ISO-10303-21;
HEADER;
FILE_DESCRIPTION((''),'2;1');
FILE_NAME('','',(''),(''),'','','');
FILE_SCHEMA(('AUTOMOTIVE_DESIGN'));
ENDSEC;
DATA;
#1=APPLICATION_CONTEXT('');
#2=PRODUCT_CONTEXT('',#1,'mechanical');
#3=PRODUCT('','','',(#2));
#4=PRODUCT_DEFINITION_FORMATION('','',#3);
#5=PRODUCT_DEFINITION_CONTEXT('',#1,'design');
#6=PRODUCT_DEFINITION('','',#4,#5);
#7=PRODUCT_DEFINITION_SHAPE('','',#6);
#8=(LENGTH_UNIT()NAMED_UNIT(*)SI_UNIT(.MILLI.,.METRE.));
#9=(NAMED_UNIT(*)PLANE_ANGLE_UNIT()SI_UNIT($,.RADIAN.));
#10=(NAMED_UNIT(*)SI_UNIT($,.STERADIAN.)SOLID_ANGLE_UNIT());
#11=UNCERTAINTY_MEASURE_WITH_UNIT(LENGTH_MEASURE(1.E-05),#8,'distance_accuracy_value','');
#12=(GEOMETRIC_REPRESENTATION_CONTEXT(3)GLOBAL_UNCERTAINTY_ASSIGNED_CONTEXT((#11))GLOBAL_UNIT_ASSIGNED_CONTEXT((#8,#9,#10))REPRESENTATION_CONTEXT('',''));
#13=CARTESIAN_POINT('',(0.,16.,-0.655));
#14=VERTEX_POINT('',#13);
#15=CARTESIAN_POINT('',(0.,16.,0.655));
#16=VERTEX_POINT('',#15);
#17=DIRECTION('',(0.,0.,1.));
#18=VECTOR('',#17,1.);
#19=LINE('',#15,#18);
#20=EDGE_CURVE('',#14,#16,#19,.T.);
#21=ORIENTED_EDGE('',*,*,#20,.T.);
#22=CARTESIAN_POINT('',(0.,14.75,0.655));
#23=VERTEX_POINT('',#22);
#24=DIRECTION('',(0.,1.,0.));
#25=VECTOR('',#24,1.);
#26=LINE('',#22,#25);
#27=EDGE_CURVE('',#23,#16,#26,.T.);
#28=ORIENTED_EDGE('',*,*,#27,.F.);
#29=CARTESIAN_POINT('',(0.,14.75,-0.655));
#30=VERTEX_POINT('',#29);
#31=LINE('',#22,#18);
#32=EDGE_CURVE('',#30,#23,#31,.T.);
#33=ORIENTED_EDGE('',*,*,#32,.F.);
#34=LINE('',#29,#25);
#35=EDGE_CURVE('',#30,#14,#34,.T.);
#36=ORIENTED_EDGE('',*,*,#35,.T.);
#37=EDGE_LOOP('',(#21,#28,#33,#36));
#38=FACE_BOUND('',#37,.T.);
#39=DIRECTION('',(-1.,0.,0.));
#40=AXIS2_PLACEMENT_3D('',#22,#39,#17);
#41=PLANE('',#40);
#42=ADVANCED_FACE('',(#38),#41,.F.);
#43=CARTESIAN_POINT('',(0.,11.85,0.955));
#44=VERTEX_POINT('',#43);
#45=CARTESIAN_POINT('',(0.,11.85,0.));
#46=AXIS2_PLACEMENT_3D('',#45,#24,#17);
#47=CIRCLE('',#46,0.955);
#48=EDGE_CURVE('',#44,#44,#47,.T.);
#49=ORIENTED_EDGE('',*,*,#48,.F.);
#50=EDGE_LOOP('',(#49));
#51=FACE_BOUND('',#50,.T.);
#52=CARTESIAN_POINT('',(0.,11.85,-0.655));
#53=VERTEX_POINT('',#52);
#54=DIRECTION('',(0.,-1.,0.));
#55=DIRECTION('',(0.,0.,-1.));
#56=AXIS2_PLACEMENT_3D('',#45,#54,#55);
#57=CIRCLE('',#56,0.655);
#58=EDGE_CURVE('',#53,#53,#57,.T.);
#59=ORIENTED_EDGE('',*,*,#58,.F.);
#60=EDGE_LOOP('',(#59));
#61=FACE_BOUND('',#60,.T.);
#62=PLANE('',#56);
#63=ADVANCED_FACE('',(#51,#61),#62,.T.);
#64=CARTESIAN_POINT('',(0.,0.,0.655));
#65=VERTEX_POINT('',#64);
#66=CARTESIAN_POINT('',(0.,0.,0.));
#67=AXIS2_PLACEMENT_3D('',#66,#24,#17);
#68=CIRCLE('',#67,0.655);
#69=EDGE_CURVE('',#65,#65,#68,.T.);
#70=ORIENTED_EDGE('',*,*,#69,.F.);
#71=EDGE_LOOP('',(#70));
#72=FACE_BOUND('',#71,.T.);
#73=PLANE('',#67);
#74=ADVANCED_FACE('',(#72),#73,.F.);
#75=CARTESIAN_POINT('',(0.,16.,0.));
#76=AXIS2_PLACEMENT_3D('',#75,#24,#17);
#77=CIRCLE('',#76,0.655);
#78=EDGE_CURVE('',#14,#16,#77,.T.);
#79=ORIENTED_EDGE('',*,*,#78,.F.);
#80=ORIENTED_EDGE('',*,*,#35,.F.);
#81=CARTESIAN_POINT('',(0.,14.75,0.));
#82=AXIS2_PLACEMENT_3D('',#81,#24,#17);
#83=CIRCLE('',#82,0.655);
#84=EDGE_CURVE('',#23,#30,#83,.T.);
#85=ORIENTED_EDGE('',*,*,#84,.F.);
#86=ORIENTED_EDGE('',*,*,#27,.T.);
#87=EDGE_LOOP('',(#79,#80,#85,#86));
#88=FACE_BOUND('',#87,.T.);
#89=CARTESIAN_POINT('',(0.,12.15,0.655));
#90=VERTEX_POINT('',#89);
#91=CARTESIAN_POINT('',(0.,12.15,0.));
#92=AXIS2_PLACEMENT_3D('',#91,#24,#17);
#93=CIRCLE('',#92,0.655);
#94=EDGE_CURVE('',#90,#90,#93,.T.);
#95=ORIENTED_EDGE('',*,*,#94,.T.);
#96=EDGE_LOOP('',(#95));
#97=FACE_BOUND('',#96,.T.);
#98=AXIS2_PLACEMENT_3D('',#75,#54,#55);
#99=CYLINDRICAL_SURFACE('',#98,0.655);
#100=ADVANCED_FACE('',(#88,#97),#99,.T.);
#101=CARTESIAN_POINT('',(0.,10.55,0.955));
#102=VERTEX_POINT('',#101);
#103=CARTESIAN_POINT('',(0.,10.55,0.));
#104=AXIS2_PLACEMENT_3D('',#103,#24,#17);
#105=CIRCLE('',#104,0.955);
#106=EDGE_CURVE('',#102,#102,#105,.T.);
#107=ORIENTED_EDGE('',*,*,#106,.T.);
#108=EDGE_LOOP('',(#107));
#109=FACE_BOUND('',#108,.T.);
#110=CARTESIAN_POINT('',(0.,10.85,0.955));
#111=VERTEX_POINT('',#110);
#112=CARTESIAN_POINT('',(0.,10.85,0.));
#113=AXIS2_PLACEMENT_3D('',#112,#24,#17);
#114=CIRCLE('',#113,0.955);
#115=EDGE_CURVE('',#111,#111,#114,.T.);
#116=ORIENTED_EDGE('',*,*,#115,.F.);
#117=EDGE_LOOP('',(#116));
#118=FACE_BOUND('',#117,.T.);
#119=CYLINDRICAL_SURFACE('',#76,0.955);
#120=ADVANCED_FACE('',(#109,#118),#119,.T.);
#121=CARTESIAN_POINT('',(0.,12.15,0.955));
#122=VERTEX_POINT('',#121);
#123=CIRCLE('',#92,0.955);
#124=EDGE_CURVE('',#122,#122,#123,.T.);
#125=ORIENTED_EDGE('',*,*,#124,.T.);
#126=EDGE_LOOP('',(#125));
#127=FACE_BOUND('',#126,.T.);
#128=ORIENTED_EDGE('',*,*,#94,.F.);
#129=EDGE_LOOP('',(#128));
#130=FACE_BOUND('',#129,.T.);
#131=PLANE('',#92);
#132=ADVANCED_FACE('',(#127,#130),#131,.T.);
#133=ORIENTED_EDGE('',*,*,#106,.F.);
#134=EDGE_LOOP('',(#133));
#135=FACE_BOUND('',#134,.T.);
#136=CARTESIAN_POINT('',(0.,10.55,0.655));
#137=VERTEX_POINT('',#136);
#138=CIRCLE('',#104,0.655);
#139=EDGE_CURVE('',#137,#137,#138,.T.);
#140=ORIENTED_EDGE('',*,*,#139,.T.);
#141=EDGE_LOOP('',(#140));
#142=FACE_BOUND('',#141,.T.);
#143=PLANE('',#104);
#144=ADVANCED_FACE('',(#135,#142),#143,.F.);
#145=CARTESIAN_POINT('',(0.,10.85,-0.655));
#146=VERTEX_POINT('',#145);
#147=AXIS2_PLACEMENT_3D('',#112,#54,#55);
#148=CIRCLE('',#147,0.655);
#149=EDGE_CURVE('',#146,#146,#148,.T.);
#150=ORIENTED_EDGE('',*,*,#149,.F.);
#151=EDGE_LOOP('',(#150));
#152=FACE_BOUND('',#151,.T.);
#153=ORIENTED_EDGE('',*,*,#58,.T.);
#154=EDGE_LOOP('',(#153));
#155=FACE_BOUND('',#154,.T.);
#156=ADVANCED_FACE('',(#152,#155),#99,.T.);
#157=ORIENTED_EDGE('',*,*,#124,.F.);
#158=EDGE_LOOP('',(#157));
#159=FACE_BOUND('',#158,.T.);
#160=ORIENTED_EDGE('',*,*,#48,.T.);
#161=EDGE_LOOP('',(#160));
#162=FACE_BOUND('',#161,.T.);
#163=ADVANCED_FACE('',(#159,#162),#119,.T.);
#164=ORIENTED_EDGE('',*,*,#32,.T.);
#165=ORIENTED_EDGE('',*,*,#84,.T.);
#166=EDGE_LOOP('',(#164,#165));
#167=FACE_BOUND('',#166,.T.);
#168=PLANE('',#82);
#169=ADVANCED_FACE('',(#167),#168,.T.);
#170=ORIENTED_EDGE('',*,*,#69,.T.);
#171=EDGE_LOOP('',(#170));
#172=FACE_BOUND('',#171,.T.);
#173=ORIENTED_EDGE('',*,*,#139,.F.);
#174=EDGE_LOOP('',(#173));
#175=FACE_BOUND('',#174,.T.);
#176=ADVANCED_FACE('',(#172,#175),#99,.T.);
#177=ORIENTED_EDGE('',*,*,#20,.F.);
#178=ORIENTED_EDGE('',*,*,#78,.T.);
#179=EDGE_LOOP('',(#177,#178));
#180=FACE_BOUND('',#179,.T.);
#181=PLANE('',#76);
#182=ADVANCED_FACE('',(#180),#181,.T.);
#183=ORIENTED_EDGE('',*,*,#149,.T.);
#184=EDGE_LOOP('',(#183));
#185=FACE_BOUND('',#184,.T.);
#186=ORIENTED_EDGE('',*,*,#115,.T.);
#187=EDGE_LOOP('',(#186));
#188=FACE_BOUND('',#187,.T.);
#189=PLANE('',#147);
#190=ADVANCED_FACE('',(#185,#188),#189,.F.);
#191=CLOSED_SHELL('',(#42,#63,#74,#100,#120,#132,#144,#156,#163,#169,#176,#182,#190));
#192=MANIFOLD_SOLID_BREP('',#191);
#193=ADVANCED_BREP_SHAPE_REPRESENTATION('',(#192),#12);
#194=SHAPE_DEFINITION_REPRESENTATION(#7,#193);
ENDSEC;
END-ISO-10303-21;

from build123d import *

# Parameters (mm, degrees)
SKETCH1_R           = 0.655
BOSS_EXTRUDE1_DEPTH = 16
CUT_EXTRUDE1_START  = -1.25
CUT_EXTRUDE1_DEPTH  = 1.25
SKETCH3_W           = 0.6
SKETCH3_H           = 0.3


with BuildPart() as part:
    # Sketch1 → Boss-Extrude1 (new body)
    with BuildSketch(Plane(origin=(0, 0, 0), x_dir=(1, 0, 0), z_dir=(0, 1, 0))):
        Circle(SKETCH1_R)
    extrude(amount=BOSS_EXTRUDE1_DEPTH)

    # Sketch2 → Cut-Extrude1 (cut)
    with BuildSketch(Plane(origin=(0, 16, 0), x_dir=(1, 0, 0), z_dir=(0, 1, 0)).offset(CUT_EXTRUDE1_START)):
        with BuildLine():
            Line((0, -0.655), (0, 0.655))
            ThreePointArc((0, 0.655), (0.655, 0), (0, -0.655))
        make_face()
    extrude(amount=CUT_EXTRUDE1_DEPTH, mode=Mode.SUBTRACT)

    # Sketch3 → Revolve1 (revolve)
    with BuildSketch(Plane.XY):
        with Locations((0.655, 12)):
            Rectangle(SKETCH3_W, SKETCH3_H)
        with Locations((0.655, 10.7)):
            Rectangle(SKETCH3_W, SKETCH3_H)
    revolve(axis=Axis((0, 16, 0), (0, -1, 0)))


solid = part.part
